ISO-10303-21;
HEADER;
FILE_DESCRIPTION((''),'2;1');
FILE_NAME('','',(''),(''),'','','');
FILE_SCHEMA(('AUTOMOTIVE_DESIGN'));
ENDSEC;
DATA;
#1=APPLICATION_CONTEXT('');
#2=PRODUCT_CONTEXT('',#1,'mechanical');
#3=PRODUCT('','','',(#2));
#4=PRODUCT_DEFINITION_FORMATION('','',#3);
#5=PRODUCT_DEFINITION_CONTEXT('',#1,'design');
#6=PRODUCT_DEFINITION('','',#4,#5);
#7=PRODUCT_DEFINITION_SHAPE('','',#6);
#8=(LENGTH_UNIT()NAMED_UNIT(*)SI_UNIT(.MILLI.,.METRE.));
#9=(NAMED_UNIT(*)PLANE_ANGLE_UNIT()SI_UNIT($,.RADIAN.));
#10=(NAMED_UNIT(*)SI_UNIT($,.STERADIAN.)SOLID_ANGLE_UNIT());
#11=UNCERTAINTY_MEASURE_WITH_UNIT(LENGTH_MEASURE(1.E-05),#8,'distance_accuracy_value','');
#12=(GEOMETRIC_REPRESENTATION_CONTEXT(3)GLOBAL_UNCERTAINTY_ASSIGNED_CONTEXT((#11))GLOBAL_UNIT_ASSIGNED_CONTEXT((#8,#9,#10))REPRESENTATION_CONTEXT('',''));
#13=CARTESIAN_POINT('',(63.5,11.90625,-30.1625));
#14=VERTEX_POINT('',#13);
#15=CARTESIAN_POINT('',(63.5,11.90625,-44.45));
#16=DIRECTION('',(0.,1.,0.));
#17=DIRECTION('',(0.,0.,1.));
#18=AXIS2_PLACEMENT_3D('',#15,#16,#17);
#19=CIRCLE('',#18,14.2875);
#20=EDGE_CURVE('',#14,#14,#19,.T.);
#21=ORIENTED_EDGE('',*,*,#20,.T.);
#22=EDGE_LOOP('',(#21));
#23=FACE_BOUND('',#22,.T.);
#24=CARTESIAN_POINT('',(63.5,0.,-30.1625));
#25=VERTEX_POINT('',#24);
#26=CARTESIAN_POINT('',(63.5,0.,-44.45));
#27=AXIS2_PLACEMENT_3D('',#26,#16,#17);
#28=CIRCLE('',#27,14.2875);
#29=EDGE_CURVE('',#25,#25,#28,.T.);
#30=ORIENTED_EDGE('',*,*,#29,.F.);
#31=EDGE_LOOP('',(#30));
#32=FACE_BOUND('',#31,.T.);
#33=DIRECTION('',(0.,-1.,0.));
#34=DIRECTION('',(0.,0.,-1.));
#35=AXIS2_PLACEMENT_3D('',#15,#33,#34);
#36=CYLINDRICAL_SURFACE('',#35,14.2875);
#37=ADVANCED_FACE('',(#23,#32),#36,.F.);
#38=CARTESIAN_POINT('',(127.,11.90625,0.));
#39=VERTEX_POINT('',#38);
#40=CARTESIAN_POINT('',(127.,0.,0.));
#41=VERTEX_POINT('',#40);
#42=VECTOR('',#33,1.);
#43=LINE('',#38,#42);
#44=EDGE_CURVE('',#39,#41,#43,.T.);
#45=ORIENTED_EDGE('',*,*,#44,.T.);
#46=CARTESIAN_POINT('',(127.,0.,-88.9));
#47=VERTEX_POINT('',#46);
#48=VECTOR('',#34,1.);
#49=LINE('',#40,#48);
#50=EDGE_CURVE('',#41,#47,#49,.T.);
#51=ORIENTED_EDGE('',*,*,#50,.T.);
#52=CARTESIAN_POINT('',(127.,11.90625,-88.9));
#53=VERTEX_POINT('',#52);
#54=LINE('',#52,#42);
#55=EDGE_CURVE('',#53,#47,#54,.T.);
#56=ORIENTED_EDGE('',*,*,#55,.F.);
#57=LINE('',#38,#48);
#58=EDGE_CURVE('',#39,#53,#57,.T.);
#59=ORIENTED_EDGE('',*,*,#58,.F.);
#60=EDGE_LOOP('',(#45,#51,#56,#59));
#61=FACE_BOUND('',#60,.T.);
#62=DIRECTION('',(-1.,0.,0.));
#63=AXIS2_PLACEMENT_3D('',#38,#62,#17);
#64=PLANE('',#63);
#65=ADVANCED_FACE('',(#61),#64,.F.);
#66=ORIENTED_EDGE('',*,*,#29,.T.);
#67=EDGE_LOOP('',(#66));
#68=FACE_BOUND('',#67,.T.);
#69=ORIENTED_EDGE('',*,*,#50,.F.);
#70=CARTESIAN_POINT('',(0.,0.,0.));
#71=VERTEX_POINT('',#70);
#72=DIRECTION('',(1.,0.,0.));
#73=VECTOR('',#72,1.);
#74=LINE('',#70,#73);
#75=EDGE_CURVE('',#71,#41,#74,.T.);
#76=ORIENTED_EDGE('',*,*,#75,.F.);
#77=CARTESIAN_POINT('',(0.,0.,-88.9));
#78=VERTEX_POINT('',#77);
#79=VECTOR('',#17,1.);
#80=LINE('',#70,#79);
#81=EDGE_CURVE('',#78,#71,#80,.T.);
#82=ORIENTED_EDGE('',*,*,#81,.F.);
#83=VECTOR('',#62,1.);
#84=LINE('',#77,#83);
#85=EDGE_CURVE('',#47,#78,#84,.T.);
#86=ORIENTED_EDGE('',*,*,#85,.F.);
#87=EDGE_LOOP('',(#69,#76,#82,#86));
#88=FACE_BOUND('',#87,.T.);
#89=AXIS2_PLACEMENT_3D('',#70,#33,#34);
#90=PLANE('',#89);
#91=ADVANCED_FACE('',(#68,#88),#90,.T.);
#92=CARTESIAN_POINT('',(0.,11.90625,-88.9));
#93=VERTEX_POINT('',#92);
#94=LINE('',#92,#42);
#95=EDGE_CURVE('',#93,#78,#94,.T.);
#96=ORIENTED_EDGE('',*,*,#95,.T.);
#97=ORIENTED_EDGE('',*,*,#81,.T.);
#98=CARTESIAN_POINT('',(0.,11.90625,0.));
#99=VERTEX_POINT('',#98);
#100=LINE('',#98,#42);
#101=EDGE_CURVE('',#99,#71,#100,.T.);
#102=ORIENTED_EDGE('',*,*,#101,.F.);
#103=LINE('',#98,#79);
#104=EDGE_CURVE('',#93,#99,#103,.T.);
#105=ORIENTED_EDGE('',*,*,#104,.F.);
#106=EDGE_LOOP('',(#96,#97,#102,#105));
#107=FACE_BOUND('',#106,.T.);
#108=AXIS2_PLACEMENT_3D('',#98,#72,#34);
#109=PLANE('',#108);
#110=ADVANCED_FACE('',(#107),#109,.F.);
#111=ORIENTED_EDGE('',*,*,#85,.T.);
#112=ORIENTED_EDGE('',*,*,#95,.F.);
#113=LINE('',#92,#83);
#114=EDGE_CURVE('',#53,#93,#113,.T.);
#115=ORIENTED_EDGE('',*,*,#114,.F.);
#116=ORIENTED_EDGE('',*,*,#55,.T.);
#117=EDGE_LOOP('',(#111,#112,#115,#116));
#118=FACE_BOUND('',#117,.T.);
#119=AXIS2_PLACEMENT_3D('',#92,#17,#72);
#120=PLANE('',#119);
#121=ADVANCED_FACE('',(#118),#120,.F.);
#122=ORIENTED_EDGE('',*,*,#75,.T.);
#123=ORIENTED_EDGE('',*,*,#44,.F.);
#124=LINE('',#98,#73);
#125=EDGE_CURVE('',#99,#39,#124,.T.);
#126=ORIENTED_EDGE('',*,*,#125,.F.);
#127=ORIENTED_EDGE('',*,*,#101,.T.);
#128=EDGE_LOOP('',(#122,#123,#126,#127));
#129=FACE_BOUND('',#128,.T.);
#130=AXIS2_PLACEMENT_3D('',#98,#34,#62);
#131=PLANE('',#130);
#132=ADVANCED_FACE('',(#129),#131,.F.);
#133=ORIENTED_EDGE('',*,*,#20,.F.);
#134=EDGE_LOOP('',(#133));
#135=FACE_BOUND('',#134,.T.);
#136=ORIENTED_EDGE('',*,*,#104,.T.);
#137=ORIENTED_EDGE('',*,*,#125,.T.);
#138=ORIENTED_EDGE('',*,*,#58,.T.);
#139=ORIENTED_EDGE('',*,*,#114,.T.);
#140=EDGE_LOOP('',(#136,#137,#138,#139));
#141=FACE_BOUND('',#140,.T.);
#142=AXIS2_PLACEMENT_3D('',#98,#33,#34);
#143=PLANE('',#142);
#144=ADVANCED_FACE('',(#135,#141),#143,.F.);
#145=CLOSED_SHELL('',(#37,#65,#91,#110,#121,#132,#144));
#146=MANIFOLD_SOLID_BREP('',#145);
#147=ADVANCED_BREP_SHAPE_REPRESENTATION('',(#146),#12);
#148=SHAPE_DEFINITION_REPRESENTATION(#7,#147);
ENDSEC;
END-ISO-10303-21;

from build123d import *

# Parameters (mm, degrees)
SKETCH1_W           = 127
SKETCH1_H           = 88.9
SKETCH1_R           = 14.2875
BOSS_EXTRUDE1_DEPTH = 11.90625


with BuildPart() as part:
    # Sketch1 → Boss-Extrude1 (new body)
    with BuildSketch(Plane(origin=(0, 0, 0), x_dir=(1, 0, 0), z_dir=(0, 1, 0))):
        with Locations((63.5, 44.45)):
            Rectangle(SKETCH1_W, SKETCH1_H)
        with Locations(Location((63.5, 44.45, 0), (0, 0, 270))):
            Circle(SKETCH1_R, mode=Mode.SUBTRACT)
    extrude(amount=BOSS_EXTRUDE1_DEPTH)


solid = part.part
